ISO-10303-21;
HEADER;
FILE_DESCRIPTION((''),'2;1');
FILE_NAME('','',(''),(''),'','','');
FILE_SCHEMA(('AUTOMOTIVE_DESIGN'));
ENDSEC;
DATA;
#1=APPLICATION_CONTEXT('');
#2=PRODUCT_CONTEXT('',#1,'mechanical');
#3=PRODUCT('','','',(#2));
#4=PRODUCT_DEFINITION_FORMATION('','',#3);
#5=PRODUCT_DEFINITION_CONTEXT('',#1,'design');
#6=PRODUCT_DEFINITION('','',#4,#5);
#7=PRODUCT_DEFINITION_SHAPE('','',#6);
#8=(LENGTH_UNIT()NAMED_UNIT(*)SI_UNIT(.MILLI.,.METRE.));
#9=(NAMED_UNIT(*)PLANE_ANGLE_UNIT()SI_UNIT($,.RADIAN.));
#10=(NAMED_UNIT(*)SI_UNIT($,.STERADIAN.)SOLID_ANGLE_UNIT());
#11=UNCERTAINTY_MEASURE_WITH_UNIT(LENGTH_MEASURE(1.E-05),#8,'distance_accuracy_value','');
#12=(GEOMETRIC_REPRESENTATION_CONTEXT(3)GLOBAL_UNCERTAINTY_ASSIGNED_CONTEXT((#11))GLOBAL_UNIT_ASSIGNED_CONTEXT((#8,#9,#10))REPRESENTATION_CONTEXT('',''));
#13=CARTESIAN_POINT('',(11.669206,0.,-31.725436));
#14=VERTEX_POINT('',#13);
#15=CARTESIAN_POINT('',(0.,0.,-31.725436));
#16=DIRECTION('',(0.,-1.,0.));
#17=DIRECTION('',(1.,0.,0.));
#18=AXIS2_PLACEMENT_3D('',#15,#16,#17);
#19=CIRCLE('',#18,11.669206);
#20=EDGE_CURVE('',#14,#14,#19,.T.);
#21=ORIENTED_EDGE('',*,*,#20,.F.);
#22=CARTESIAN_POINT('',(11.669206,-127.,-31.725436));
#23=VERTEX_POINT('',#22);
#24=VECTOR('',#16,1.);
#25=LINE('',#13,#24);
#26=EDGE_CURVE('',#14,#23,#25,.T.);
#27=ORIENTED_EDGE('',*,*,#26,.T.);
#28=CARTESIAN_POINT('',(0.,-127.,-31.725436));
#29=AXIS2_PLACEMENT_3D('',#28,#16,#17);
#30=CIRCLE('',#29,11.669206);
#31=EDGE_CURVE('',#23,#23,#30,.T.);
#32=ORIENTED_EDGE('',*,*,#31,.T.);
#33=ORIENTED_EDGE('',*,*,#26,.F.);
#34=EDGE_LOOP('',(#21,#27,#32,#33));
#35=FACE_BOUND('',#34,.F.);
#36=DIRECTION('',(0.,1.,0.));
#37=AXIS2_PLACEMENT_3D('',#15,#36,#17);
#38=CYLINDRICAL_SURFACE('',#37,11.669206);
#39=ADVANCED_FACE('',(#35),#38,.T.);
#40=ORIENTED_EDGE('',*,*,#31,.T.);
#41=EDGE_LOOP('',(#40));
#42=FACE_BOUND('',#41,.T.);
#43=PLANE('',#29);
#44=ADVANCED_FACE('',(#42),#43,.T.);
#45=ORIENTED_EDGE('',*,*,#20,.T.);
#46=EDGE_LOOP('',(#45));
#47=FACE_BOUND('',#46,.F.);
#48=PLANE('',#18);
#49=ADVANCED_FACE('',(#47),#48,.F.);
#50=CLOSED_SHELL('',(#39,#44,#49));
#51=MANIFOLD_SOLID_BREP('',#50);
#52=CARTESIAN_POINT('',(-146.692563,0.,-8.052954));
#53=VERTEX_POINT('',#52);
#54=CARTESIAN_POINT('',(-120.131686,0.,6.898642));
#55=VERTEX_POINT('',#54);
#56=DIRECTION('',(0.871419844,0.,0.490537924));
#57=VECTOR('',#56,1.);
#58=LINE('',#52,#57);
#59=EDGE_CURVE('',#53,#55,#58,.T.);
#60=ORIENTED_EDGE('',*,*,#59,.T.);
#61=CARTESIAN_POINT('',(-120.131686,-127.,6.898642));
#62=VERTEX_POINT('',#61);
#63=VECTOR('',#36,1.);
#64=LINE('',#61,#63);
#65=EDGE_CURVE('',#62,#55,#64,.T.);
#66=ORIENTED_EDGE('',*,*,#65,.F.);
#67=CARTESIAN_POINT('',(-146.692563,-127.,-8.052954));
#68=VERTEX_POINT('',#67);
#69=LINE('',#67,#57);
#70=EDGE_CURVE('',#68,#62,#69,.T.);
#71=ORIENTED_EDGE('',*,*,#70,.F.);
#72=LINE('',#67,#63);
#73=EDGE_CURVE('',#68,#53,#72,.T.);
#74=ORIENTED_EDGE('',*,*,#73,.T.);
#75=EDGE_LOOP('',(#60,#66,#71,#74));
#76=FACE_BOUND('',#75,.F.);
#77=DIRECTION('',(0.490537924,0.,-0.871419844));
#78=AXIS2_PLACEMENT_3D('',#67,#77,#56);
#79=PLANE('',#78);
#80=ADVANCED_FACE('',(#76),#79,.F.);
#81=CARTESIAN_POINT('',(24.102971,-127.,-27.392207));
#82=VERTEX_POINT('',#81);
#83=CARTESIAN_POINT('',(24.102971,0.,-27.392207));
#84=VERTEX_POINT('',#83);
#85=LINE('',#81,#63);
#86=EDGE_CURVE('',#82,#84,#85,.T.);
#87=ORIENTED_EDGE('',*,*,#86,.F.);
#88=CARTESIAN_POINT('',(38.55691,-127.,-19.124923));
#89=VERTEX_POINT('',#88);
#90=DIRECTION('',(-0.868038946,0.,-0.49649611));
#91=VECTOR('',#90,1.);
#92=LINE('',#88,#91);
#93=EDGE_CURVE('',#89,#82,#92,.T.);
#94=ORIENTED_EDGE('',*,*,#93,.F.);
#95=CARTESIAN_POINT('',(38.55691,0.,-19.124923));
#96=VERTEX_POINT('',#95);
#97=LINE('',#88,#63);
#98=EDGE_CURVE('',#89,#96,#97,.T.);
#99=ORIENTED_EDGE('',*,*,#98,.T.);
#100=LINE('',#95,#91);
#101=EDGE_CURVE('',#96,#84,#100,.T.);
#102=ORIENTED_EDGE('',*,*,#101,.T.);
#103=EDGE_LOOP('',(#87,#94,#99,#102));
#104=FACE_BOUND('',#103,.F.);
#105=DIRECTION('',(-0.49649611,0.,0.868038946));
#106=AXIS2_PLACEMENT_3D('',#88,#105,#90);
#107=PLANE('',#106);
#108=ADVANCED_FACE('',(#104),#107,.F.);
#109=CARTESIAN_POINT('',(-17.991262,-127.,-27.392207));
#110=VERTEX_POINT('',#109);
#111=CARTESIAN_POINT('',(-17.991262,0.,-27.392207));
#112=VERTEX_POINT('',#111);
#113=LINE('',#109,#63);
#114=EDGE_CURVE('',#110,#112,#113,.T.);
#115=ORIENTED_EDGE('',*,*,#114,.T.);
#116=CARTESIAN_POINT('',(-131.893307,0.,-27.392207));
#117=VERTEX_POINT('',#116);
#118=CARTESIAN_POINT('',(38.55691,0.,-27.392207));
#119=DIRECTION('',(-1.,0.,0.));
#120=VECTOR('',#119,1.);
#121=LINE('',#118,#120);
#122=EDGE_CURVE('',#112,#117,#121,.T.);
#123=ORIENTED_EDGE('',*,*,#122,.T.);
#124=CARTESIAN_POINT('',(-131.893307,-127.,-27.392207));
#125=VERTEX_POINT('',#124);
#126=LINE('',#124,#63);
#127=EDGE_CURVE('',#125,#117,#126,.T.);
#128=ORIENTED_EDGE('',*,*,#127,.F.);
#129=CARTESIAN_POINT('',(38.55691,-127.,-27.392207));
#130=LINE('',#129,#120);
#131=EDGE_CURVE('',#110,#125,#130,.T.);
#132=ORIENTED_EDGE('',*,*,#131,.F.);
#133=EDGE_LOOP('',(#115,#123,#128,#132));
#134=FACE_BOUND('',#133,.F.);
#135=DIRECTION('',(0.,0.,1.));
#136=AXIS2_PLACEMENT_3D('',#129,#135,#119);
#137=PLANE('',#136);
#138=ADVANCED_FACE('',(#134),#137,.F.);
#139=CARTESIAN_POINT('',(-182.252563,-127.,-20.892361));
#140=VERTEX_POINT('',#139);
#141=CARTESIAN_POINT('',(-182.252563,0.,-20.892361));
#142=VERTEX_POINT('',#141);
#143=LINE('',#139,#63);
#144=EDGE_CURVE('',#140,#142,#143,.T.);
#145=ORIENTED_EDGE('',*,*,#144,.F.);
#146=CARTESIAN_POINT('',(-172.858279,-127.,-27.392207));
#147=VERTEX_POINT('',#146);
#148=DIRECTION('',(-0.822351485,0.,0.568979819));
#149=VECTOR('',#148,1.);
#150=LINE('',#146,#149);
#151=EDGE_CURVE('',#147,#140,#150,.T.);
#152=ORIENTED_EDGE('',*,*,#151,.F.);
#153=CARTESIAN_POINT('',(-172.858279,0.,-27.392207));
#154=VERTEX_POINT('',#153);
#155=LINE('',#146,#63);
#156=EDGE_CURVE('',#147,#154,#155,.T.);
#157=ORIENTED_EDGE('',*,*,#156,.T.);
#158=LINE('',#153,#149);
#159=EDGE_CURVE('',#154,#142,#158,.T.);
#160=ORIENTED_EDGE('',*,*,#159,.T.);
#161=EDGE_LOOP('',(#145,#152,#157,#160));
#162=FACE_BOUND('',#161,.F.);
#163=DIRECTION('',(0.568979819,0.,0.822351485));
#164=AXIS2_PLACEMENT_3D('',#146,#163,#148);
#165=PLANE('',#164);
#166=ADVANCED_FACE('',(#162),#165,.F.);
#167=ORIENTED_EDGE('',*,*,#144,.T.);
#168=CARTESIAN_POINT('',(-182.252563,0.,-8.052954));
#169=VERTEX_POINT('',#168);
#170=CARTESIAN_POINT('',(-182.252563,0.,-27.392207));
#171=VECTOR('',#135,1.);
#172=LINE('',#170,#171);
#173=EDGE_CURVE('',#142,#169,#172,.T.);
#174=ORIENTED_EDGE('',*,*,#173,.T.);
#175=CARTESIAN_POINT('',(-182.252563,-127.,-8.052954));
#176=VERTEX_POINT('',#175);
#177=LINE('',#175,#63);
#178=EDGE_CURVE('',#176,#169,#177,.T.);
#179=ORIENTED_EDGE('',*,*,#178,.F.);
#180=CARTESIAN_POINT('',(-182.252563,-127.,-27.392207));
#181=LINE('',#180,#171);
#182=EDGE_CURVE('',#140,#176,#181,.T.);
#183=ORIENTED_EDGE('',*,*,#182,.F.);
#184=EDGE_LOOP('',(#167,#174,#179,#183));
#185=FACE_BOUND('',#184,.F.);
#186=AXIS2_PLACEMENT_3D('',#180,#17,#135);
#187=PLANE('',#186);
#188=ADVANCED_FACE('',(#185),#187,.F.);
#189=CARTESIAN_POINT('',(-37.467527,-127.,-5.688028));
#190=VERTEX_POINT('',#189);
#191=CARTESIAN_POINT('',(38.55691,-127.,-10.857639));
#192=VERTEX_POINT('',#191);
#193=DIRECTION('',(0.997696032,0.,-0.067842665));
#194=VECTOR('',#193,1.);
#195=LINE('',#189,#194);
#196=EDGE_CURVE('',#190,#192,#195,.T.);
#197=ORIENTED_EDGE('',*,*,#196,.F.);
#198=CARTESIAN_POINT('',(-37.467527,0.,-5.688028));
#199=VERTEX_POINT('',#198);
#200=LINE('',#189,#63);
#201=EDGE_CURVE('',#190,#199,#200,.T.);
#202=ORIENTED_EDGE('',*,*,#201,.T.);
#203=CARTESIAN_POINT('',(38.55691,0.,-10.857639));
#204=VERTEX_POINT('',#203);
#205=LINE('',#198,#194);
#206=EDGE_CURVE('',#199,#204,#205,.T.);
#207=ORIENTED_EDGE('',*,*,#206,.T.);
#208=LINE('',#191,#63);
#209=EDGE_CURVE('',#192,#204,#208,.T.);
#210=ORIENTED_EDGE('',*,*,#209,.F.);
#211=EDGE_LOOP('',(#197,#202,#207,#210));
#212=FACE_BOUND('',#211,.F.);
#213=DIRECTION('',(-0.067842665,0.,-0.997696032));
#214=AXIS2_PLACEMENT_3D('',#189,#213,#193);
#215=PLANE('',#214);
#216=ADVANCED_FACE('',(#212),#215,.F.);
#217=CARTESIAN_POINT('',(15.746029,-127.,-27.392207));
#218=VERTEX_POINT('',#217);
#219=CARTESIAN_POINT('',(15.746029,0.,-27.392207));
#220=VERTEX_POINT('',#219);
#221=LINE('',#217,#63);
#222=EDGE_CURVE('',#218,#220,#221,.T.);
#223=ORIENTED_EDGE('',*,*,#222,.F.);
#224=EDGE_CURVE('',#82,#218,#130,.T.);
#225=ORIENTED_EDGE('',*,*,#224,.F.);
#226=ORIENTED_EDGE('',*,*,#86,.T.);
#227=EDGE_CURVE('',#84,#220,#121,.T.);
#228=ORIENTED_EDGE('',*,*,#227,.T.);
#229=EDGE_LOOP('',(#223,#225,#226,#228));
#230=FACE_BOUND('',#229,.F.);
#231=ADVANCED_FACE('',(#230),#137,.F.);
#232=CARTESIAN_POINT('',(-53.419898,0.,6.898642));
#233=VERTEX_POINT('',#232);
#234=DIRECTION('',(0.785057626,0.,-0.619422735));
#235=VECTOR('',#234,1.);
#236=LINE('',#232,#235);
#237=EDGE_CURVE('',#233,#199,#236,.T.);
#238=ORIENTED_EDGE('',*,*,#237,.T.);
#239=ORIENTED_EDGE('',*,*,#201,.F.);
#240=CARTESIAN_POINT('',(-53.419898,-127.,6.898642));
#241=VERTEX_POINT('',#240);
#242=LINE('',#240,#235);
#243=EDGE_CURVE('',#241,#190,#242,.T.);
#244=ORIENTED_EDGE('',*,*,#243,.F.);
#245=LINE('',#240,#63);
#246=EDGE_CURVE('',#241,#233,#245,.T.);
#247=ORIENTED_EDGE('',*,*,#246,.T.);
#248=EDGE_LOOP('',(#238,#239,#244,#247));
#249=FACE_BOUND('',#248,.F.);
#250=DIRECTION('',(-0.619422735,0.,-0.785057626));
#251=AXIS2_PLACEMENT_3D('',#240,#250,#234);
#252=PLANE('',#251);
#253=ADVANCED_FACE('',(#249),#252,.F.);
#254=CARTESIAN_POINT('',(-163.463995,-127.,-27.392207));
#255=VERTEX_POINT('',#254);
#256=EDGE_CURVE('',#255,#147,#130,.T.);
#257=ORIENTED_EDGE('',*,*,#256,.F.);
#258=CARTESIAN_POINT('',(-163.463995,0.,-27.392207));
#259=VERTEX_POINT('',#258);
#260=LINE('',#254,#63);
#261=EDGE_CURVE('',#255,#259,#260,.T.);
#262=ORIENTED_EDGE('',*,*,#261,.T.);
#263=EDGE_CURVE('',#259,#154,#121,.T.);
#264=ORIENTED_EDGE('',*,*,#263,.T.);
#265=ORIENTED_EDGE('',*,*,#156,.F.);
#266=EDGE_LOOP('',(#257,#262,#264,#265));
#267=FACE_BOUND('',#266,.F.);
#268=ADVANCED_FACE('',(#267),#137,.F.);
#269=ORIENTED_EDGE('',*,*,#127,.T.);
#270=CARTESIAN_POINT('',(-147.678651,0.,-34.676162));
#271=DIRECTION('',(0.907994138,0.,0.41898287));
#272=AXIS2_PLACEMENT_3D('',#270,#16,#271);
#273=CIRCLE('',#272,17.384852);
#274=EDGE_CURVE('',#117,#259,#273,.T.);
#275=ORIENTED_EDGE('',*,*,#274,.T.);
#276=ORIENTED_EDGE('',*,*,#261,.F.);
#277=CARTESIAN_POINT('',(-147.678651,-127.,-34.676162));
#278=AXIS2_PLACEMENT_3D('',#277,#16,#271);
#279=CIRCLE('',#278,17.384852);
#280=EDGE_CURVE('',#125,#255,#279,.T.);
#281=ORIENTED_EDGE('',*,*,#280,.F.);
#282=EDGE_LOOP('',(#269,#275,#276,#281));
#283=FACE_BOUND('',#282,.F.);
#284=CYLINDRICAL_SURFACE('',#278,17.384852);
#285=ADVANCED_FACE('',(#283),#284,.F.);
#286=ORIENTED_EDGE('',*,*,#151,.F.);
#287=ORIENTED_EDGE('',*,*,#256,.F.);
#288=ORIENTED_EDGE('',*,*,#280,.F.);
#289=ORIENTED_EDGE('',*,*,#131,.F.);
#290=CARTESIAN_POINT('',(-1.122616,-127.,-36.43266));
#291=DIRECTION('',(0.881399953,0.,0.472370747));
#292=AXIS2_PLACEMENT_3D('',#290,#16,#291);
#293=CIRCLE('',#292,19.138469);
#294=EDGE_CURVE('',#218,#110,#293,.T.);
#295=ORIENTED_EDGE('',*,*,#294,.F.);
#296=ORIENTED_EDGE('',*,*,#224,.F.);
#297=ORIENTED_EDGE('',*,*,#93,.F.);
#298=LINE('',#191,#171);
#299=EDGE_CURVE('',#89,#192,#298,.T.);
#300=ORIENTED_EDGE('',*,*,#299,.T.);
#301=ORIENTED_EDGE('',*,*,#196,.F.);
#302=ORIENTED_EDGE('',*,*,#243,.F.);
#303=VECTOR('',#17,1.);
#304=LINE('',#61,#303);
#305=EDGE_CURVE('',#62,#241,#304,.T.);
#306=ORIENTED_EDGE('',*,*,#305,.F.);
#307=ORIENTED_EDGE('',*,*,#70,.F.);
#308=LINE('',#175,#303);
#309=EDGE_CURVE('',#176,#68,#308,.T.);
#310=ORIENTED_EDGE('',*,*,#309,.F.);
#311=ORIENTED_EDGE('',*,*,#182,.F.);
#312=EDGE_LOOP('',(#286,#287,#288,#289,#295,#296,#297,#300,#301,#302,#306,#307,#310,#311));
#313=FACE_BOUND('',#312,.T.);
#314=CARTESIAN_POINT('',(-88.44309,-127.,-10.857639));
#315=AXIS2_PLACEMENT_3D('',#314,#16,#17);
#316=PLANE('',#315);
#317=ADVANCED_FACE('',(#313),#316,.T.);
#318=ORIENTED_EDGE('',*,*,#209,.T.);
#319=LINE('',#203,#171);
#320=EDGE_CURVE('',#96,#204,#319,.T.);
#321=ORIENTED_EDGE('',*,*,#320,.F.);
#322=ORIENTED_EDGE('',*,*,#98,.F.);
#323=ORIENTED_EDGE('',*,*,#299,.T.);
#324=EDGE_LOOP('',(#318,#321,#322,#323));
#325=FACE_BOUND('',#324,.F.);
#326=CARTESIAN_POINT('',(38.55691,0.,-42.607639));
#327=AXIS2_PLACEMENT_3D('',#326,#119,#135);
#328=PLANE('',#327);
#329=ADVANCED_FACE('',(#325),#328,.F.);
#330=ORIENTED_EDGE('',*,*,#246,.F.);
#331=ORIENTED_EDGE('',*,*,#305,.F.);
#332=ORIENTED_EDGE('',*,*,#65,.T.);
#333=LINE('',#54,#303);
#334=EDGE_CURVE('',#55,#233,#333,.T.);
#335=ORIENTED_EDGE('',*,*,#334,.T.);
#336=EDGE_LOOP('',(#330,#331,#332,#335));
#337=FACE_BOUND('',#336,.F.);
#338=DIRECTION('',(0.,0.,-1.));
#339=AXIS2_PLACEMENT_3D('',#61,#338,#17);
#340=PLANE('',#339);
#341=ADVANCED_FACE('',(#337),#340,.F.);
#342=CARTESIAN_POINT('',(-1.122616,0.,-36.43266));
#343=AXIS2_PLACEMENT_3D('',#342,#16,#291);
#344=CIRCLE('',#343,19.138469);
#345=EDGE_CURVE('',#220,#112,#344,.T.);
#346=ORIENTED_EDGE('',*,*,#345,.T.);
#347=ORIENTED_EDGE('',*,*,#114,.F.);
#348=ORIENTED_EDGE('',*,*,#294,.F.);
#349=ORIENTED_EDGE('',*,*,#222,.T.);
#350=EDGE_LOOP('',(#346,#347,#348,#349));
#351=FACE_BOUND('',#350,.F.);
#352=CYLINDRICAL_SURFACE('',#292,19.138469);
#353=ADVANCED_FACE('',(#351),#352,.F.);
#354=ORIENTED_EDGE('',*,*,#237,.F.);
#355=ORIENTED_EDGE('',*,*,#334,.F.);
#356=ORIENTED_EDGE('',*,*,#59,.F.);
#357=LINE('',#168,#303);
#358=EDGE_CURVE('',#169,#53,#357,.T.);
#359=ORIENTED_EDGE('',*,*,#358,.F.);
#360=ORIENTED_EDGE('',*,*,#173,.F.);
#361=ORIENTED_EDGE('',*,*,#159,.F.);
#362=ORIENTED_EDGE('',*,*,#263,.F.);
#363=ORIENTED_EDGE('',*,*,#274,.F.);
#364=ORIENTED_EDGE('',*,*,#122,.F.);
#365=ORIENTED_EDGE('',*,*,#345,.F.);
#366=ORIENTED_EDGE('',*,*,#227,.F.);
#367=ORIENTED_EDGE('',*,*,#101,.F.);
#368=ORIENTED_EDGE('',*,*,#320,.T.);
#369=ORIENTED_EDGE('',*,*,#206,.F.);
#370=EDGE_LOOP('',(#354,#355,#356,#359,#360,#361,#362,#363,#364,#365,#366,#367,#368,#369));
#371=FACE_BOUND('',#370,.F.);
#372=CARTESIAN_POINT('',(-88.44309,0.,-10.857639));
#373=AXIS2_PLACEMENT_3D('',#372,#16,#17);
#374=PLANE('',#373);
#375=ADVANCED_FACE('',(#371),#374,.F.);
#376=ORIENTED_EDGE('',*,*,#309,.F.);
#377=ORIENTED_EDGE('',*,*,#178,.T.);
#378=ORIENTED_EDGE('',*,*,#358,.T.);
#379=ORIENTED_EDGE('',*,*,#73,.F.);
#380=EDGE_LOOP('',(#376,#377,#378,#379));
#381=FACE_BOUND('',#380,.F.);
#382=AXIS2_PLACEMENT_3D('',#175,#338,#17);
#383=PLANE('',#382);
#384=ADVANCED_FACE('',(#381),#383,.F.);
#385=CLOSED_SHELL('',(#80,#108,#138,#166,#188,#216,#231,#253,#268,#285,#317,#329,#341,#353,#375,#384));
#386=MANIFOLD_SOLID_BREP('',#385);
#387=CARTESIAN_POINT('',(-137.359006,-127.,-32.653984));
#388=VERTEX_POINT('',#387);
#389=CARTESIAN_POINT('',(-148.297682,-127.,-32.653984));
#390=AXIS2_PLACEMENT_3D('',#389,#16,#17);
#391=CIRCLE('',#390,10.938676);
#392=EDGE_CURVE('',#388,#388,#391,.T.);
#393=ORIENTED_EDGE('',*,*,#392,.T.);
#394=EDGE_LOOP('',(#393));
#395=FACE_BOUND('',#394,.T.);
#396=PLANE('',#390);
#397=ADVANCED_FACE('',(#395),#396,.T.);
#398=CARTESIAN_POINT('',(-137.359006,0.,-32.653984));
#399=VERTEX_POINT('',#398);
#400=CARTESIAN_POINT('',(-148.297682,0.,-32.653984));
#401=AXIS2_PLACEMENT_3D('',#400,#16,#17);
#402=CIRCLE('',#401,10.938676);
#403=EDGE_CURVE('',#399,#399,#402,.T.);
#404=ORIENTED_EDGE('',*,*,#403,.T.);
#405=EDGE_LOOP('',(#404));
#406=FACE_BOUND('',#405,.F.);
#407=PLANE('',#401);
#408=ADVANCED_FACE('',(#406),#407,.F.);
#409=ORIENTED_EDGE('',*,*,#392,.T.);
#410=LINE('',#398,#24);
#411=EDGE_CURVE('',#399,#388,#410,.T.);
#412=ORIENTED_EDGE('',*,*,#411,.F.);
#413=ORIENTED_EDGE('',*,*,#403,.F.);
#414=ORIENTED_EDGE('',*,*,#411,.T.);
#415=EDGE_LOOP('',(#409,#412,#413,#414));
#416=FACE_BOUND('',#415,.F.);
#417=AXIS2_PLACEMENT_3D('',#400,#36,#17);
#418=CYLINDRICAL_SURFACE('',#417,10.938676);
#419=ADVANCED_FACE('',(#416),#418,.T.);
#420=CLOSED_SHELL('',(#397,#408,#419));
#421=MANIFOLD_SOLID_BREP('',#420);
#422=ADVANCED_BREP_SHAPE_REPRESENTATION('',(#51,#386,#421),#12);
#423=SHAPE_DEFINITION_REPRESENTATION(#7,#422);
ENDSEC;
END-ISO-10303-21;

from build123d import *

# Parameters (mm, degrees)
F0_W     = 254
F0_H     = 63.5
F1_DEPTH = 127
F3_DEPTH = 127
F5_DEPTH = 127
F7_DEPTH = 127
F8_R     = 10.938676
F8_R_2   = 11.669206
F9_DEPTH = 127


with BuildPart() as f1:
    # F0 (on Front) → F1 (new body)
    with BuildSketch(Plane.XZ):
        with Locations((-88.44309, -10.857639)):
            Rectangle(F0_W, F0_H)
    extrude(amount=F1_DEPTH)

    # F2 (on face) → F3 (cut)
    with BuildSketch(Plane.XZ.offset(127)):
        Polygon((-37.467527, -5.688028), (38.55691, -10.857639), (38.55691, 20.892361), (-215.44309, 20.892361), (-215.44309, -42.607639), (38.55691, -42.607639), (38.55691, -27.392207), (-182.252563, -27.392207), (-182.252563, -8.052954), (-146.692563, -8.052954), (-120.131686, 6.898642), (-53.419898, 6.898642), align=None)
    extrude(amount=-F3_DEPTH, mode=Mode.SUBTRACT)

    # F4 (on face) → F5 (cut)
    with BuildSketch(Plane.XZ.offset(127)):
        with BuildLine():
            Line((-163.463995, -27.392207), (-131.893307, -27.392207))
            ThreePointArc((-131.893307, -27.392207), (-147.678651, -17.29131), (-163.463995, -27.392207))
        make_face()
        with BuildLine():
            ThreePointArc((15.746029, -27.392207), (-1.122616, -17.294191), (-17.991262, -27.392207))
            Line((-17.991262, -27.392207), (15.746029, -27.392207))
        make_face()
    extrude(amount=-F5_DEPTH, mode=Mode.SUBTRACT)

    # F6 (on face) → F7 (cut)
    with BuildSketch(Plane.XZ.offset(127)):
        Polygon((-182.252563, -27.392207), (-172.858279, -27.392207), (-182.252563, -20.892361), align=None)
        Polygon((38.55691, -19.124923), (24.102971, -27.392207), (38.55691, -27.392207), align=None)
    extrude(amount=-F7_DEPTH, mode=Mode.SUBTRACT)


with BuildPart() as f9:
    # F8 (on Front) → F9 (new body)
    with BuildSketch(Plane.XZ):
        with Locations((-148.297682, -32.653984)):
            Circle(F8_R)
        with Locations((0, -31.725436)):
            Circle(F8_R_2)
    extrude(amount=F9_DEPTH)


solid = Compound([f1.part, f9.part])
